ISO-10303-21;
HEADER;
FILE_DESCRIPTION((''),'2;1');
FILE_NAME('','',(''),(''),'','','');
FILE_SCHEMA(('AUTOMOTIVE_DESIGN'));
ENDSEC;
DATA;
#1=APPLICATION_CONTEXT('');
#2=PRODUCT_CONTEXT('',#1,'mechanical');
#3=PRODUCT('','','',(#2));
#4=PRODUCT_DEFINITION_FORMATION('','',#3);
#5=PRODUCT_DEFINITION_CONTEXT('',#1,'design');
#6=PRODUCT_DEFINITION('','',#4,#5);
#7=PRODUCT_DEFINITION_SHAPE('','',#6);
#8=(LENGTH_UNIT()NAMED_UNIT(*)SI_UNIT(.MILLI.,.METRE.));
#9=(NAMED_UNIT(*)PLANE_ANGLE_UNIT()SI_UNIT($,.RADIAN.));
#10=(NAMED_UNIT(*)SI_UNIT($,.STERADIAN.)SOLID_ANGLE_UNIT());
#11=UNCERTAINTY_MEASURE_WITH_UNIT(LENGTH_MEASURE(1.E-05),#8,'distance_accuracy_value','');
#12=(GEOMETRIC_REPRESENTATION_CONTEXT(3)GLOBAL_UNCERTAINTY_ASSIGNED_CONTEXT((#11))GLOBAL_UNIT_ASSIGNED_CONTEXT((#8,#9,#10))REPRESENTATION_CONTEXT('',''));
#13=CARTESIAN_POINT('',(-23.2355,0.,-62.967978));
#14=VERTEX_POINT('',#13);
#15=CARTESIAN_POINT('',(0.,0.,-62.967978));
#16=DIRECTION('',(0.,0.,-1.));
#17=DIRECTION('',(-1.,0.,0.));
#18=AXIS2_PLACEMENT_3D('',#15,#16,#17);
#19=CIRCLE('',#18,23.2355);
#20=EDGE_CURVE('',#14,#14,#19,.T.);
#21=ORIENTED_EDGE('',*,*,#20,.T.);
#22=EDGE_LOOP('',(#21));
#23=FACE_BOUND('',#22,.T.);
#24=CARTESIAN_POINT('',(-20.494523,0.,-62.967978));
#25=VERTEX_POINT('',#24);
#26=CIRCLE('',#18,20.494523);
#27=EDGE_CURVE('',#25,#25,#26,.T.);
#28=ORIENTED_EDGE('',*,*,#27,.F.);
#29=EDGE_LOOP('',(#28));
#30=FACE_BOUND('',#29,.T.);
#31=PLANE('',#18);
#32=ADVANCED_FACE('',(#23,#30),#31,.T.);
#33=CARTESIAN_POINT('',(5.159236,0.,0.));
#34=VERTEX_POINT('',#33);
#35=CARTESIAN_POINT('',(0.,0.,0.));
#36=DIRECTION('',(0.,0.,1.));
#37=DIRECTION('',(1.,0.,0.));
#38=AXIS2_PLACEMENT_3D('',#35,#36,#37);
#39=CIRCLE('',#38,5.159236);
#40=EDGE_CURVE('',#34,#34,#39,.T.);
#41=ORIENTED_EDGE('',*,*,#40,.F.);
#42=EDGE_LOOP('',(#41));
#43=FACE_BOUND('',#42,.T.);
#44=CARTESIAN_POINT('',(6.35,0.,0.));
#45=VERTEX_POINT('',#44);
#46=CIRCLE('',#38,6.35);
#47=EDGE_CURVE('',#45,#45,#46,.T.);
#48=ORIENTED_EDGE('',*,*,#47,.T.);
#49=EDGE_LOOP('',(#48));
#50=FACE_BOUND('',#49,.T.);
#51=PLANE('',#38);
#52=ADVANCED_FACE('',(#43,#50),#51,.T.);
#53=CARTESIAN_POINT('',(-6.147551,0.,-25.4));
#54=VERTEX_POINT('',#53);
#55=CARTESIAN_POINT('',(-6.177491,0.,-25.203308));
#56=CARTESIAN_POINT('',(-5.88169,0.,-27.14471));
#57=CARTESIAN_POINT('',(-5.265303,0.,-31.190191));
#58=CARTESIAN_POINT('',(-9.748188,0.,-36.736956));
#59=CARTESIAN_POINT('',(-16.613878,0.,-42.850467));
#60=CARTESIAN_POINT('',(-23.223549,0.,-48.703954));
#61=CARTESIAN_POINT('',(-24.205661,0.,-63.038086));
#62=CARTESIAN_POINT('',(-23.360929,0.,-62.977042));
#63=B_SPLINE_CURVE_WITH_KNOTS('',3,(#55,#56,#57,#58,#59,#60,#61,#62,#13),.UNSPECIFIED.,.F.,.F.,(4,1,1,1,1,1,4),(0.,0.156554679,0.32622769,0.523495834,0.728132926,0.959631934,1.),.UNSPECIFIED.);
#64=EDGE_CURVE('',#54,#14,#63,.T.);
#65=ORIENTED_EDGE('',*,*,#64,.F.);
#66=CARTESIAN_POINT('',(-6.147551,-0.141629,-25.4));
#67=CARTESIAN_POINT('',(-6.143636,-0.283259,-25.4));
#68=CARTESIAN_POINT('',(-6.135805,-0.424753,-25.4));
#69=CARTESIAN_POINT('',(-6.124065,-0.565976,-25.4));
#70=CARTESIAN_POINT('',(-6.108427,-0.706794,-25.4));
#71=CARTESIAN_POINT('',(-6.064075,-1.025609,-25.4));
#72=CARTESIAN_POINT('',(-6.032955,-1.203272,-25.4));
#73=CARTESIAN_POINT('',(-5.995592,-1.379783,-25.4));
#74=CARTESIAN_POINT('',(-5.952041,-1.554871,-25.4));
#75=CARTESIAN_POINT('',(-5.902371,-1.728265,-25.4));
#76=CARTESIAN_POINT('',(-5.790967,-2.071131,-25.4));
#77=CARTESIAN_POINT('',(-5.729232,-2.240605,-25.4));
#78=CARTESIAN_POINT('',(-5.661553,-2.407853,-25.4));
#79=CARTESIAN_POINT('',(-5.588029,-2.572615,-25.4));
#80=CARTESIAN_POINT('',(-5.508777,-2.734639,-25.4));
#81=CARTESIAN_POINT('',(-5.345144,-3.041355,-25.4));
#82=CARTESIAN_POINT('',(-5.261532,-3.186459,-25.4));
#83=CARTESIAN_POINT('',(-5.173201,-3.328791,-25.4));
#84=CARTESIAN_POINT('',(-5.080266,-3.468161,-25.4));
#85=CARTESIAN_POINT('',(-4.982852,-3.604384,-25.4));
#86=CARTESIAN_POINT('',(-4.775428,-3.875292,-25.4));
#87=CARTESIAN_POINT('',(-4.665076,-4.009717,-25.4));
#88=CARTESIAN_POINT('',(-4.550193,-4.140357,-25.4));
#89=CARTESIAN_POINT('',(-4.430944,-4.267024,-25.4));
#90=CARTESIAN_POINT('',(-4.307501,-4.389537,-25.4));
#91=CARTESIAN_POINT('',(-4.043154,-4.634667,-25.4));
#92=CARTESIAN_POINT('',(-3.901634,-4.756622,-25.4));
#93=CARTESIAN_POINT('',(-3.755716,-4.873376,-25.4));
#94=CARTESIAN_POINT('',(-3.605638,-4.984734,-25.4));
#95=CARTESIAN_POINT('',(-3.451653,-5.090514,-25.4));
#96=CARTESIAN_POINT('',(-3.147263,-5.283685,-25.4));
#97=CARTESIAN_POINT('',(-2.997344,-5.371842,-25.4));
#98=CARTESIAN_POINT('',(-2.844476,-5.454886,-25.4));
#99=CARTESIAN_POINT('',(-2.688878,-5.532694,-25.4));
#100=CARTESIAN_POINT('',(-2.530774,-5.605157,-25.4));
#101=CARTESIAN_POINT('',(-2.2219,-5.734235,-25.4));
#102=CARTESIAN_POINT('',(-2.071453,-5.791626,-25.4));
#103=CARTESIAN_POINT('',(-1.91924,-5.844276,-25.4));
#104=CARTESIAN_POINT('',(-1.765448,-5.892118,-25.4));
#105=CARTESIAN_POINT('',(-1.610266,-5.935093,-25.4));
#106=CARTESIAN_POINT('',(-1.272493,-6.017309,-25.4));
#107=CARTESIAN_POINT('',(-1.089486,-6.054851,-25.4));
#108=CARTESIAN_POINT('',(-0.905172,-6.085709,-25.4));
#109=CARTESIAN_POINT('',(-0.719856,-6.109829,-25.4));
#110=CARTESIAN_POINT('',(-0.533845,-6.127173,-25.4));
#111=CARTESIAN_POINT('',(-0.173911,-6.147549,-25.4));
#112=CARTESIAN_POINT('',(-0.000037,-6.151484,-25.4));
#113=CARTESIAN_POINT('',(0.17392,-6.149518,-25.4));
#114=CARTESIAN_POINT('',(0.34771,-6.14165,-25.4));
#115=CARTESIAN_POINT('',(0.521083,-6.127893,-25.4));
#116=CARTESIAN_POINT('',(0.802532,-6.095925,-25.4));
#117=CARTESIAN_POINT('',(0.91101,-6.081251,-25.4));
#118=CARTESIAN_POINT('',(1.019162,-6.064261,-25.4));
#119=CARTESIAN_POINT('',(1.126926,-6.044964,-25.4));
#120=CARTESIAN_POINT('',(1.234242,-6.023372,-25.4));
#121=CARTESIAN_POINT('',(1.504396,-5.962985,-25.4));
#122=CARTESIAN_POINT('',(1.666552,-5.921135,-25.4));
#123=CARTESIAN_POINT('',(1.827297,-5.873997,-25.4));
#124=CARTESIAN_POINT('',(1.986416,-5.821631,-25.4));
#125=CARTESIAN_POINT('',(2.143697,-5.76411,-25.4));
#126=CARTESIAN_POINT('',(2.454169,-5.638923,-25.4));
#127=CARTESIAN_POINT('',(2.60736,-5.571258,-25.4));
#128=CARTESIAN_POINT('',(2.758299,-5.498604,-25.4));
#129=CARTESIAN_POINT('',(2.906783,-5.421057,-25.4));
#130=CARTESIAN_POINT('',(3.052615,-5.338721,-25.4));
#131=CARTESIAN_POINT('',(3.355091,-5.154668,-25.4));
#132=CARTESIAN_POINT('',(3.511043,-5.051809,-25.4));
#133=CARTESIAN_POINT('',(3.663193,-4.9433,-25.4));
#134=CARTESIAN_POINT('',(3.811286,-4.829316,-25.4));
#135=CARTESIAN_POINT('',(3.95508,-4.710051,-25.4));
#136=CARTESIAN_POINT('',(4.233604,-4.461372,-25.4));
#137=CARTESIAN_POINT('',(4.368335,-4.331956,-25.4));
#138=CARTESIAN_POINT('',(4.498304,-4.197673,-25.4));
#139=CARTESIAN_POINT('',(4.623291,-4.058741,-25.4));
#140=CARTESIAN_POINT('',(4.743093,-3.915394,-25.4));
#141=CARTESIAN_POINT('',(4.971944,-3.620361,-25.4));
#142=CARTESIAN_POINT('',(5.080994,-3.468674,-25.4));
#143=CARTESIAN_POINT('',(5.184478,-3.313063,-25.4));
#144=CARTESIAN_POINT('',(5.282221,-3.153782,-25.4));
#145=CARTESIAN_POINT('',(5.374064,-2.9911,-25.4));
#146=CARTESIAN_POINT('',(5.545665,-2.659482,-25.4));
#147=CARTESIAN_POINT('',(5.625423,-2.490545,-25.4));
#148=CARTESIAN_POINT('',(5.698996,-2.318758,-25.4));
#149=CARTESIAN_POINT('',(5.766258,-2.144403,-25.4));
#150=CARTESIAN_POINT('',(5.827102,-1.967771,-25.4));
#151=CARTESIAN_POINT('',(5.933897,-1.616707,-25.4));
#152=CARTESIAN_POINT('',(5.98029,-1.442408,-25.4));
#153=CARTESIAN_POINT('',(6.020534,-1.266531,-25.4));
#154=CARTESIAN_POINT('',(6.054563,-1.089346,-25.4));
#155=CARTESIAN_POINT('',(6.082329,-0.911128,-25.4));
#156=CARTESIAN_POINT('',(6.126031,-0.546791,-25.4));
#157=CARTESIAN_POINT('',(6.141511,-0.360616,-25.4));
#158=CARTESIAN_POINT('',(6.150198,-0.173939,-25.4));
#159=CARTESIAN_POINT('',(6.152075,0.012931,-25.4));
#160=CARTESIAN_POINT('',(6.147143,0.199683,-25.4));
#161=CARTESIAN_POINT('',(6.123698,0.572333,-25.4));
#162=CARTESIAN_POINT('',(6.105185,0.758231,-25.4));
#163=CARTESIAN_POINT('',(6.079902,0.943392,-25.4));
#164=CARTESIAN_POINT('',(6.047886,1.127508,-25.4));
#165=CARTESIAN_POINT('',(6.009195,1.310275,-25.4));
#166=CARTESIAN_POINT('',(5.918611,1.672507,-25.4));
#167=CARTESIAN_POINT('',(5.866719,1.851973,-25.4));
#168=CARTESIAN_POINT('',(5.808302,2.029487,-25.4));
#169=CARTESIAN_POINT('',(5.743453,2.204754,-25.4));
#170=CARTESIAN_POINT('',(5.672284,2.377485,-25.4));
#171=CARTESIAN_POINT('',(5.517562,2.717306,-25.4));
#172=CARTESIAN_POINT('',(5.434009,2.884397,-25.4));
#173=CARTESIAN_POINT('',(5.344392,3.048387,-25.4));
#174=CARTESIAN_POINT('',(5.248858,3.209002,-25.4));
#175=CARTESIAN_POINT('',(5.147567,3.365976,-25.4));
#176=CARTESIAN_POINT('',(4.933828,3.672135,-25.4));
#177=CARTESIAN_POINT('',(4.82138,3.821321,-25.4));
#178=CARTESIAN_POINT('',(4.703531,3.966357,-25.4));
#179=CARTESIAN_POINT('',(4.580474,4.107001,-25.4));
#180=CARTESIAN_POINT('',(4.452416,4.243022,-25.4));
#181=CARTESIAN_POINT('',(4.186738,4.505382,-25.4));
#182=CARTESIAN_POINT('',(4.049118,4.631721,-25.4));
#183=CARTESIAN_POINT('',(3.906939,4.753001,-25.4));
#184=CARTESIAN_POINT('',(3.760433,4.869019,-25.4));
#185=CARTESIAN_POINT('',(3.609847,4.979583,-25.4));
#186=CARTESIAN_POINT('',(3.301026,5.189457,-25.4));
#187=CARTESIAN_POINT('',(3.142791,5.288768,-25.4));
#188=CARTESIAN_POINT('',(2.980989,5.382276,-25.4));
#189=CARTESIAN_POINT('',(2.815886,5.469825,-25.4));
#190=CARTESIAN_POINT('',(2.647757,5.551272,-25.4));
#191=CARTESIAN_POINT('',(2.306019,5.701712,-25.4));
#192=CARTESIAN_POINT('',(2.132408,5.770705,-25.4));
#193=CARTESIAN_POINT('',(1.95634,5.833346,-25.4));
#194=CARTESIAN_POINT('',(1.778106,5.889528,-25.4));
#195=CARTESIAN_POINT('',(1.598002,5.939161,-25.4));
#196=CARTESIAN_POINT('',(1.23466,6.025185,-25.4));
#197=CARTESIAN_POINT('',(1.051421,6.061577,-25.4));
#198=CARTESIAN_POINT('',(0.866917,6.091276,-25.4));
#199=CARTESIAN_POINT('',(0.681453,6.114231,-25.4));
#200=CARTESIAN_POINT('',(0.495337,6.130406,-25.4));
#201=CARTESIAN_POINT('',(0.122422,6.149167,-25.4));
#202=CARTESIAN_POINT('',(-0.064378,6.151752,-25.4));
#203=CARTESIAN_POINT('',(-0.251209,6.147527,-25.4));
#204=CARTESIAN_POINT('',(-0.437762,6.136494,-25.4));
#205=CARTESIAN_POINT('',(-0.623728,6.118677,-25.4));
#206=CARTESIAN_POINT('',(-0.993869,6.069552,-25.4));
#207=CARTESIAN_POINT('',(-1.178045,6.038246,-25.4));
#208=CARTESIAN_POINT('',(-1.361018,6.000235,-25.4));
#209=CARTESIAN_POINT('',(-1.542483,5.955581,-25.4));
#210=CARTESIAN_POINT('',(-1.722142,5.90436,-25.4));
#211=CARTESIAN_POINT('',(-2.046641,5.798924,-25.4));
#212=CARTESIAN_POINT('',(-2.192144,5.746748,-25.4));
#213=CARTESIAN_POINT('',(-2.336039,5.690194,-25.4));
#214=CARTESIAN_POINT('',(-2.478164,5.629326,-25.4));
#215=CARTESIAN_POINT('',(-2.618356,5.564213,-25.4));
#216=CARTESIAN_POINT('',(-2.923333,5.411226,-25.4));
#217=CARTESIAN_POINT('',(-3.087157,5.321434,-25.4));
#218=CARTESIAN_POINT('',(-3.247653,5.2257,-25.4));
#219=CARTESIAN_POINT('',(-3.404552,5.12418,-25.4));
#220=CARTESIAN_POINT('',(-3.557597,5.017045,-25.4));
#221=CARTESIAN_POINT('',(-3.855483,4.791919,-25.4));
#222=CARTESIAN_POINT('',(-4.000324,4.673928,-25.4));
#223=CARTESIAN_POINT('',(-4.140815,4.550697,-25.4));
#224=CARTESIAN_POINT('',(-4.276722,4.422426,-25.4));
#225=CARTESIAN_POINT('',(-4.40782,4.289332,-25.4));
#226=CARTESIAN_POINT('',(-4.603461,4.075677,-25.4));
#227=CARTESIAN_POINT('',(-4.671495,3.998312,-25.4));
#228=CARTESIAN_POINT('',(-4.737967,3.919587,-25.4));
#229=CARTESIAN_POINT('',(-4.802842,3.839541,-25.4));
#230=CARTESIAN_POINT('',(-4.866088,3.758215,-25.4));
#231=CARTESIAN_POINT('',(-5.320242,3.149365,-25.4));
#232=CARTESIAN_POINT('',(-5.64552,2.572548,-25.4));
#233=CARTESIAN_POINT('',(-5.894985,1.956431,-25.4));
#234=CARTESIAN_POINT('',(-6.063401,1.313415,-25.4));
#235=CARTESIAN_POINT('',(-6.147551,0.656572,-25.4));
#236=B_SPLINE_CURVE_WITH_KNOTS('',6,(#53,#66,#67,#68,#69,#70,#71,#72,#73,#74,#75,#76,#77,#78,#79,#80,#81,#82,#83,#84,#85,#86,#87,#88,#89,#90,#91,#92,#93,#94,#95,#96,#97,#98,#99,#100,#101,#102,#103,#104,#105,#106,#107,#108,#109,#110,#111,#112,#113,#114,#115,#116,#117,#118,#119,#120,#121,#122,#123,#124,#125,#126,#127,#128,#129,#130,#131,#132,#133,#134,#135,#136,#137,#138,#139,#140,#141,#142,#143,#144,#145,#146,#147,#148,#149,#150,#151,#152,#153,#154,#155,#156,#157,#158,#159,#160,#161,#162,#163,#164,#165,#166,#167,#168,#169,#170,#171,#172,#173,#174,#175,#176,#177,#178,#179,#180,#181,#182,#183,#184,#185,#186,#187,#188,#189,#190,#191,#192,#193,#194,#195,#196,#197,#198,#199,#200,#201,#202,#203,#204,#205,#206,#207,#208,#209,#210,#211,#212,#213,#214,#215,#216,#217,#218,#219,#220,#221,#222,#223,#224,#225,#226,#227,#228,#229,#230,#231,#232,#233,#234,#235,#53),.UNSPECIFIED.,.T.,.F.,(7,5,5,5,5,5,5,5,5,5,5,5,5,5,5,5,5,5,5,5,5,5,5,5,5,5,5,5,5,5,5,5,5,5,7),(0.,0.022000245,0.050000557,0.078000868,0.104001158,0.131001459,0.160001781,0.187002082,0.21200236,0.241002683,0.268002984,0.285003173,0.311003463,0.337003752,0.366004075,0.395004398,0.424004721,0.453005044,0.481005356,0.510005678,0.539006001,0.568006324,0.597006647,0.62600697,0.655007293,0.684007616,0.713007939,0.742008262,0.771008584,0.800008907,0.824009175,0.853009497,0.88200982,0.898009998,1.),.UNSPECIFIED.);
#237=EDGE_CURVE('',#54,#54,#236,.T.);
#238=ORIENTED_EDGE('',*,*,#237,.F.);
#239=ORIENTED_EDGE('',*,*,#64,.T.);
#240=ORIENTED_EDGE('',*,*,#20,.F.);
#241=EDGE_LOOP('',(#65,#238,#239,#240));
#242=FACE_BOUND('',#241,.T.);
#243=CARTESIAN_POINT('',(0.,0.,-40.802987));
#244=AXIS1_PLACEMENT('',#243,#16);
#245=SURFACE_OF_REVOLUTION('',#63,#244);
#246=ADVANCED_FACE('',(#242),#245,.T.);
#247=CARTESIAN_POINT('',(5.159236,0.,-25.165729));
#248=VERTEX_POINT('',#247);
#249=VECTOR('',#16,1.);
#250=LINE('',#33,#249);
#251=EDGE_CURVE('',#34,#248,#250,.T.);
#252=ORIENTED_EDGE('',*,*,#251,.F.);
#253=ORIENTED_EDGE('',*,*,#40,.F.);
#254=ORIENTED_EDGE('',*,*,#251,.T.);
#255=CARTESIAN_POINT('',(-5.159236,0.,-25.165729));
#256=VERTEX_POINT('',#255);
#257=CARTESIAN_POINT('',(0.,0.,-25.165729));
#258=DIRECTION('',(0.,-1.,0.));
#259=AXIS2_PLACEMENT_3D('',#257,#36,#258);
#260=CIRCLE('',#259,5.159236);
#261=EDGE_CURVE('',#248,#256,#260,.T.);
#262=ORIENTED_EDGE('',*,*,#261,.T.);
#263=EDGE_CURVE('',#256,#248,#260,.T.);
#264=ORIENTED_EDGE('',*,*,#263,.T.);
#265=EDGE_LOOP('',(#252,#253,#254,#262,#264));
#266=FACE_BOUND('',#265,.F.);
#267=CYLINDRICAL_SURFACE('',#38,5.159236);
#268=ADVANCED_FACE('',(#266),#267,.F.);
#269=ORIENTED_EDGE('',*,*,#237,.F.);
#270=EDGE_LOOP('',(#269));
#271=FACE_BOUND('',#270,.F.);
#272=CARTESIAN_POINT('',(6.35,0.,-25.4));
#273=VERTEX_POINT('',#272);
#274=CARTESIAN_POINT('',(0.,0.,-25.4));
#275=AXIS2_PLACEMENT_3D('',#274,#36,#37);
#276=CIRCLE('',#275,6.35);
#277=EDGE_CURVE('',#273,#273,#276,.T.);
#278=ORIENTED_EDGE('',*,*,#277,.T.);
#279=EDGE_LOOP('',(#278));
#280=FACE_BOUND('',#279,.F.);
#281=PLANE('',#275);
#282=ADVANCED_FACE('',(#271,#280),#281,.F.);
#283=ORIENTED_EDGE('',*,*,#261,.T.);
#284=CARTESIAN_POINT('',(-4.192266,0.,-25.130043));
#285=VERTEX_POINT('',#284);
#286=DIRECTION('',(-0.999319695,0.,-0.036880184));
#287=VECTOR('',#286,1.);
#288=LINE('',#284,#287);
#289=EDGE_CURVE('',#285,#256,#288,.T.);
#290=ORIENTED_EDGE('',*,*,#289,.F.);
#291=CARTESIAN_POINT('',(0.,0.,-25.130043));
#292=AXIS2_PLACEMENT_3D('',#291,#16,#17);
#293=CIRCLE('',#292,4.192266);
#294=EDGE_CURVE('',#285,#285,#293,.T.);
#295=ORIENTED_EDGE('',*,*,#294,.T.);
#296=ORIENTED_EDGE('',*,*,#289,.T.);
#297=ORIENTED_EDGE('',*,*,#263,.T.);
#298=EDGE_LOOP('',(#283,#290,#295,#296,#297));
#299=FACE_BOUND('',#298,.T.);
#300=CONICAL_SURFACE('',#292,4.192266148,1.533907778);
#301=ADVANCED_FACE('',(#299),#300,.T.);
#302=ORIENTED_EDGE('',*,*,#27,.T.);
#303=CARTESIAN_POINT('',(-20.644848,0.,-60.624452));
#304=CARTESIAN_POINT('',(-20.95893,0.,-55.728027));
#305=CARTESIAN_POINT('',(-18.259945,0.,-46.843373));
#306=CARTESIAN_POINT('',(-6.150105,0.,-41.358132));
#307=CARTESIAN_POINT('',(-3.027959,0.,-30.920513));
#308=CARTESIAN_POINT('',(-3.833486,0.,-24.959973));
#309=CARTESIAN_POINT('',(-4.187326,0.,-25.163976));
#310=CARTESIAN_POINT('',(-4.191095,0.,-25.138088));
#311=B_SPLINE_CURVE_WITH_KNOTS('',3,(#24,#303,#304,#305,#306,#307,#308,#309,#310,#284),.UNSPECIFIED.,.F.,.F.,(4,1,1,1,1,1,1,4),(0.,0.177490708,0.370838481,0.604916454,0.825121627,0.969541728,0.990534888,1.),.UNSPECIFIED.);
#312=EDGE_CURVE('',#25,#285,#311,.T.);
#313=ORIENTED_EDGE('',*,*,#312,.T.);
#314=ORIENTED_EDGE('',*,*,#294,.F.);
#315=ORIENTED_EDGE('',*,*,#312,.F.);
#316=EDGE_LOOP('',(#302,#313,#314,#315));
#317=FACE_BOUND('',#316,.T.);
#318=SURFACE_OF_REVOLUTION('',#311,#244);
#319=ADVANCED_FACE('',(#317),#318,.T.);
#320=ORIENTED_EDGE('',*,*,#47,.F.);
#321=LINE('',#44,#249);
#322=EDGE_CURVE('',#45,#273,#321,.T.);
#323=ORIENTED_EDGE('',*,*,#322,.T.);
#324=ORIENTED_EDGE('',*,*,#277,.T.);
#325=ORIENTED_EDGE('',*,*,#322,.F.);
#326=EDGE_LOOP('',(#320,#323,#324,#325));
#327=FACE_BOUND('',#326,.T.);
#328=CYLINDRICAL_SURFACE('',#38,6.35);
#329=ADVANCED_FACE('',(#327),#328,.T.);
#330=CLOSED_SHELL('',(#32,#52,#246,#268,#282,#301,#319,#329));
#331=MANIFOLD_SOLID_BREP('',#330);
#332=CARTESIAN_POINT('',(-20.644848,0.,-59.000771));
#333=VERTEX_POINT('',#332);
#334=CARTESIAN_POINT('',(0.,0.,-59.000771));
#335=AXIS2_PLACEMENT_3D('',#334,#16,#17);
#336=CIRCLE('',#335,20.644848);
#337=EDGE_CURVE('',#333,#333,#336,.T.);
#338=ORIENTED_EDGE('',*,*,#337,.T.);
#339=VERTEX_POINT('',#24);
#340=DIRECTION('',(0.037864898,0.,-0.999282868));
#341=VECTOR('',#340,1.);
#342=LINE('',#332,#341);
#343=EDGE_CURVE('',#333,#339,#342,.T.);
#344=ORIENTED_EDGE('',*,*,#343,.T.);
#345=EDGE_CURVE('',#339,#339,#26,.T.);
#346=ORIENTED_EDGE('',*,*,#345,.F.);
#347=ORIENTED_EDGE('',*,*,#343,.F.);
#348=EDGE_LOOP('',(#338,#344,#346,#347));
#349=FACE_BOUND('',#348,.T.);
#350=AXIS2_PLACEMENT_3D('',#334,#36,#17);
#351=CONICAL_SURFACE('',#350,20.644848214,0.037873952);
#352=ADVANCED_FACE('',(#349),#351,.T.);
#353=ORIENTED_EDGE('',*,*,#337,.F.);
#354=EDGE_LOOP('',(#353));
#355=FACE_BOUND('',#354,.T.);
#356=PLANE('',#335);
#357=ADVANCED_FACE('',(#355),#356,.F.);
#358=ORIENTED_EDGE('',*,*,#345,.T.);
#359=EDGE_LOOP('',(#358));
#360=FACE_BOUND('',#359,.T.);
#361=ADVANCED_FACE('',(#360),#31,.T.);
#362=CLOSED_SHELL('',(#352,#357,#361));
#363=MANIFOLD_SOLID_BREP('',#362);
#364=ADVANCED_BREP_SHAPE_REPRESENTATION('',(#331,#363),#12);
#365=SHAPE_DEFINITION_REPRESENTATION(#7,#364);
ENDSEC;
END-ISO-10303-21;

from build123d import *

# Parameters (mm, degrees)
F0_R     = 6.35
F0_R_2   = 5.159236224
F1_DEPTH = 25.4


with BuildPart() as f1:
    # F0 (on Top) → F1 (new body)
    with BuildSketch(Plane.XY):
        Circle(F0_R)
        Circle(F0_R_2, mode=Mode.SUBTRACT)
    extrude(amount=-F1_DEPTH)

    # F2 (on Front) → F3 (revolve)
    with BuildSketch(Plane.XZ):
        with BuildLine():
            Line((-4.1922661476, -25.1300428063), (-6.1774905771, -25.2033080906))
            add(Edge.make_bspline(
                [(-6.1774905771, -25.2033080906), (-5.8816901728, -27.1447096862), (-5.265303085, -31.1901905517), (-9.7481884082, -36.7369563101), (-16.6138781886, -42.8504666243), (-23.2235490745, -48.7039542033), (-24.2056607787, -63.0380862229), (-23.3609294322, -62.977042473), (-23.2354998589, -62.9679784179)],
                knots=[0, 0, 0, 0, 0.156554679, 0.3262276903, 0.5234958336, 0.7281329257, 0.9596319336, 1, 1, 1, 1], degree=3))
            Line((-23.2354998589, -62.9679784179), (-20.4945225269, -62.9679784179))
            add(Edge.make_bspline(
                [(-20.4945225269, -62.9679784179), (-20.6448482141, -60.624451722), (-20.9589297237, -55.7280270615), (-18.2599448452, -46.8433730683), (-6.1501049149, -41.3581316698), (-3.0279588772, -30.9205125456), (-3.8334857362, -24.9599734502), (-4.1873255513, -25.1639760168), (-4.1910948215, -25.1380877569), (-4.1922661476, -25.1300428063)],
                knots=[0, 0, 0, 0, 0.1774907083, 0.3708384814, 0.6049164544, 0.8251216274, 0.9695417285, 0.9905348876, 1, 1, 1, 1], degree=3))
        make_face()
    revolve(axis=Axis((0, 0, -40.8029872924), (0, 0, -1)))


with BuildPart() as f4:
    # F2 (on Front) → F4 (revolve)
    with BuildSketch(Plane.XZ):
        Polygon((-20.6448482141, -59.0007714927), (-20.4945225269, -62.9679784179), (0, -62.9679784179), (0, -59.0007714927), align=None)
    revolve(axis=Axis((0, 0, -40.8029872924), (0, 0, -1)))


solid = Compound([f1.part, f4.part])
